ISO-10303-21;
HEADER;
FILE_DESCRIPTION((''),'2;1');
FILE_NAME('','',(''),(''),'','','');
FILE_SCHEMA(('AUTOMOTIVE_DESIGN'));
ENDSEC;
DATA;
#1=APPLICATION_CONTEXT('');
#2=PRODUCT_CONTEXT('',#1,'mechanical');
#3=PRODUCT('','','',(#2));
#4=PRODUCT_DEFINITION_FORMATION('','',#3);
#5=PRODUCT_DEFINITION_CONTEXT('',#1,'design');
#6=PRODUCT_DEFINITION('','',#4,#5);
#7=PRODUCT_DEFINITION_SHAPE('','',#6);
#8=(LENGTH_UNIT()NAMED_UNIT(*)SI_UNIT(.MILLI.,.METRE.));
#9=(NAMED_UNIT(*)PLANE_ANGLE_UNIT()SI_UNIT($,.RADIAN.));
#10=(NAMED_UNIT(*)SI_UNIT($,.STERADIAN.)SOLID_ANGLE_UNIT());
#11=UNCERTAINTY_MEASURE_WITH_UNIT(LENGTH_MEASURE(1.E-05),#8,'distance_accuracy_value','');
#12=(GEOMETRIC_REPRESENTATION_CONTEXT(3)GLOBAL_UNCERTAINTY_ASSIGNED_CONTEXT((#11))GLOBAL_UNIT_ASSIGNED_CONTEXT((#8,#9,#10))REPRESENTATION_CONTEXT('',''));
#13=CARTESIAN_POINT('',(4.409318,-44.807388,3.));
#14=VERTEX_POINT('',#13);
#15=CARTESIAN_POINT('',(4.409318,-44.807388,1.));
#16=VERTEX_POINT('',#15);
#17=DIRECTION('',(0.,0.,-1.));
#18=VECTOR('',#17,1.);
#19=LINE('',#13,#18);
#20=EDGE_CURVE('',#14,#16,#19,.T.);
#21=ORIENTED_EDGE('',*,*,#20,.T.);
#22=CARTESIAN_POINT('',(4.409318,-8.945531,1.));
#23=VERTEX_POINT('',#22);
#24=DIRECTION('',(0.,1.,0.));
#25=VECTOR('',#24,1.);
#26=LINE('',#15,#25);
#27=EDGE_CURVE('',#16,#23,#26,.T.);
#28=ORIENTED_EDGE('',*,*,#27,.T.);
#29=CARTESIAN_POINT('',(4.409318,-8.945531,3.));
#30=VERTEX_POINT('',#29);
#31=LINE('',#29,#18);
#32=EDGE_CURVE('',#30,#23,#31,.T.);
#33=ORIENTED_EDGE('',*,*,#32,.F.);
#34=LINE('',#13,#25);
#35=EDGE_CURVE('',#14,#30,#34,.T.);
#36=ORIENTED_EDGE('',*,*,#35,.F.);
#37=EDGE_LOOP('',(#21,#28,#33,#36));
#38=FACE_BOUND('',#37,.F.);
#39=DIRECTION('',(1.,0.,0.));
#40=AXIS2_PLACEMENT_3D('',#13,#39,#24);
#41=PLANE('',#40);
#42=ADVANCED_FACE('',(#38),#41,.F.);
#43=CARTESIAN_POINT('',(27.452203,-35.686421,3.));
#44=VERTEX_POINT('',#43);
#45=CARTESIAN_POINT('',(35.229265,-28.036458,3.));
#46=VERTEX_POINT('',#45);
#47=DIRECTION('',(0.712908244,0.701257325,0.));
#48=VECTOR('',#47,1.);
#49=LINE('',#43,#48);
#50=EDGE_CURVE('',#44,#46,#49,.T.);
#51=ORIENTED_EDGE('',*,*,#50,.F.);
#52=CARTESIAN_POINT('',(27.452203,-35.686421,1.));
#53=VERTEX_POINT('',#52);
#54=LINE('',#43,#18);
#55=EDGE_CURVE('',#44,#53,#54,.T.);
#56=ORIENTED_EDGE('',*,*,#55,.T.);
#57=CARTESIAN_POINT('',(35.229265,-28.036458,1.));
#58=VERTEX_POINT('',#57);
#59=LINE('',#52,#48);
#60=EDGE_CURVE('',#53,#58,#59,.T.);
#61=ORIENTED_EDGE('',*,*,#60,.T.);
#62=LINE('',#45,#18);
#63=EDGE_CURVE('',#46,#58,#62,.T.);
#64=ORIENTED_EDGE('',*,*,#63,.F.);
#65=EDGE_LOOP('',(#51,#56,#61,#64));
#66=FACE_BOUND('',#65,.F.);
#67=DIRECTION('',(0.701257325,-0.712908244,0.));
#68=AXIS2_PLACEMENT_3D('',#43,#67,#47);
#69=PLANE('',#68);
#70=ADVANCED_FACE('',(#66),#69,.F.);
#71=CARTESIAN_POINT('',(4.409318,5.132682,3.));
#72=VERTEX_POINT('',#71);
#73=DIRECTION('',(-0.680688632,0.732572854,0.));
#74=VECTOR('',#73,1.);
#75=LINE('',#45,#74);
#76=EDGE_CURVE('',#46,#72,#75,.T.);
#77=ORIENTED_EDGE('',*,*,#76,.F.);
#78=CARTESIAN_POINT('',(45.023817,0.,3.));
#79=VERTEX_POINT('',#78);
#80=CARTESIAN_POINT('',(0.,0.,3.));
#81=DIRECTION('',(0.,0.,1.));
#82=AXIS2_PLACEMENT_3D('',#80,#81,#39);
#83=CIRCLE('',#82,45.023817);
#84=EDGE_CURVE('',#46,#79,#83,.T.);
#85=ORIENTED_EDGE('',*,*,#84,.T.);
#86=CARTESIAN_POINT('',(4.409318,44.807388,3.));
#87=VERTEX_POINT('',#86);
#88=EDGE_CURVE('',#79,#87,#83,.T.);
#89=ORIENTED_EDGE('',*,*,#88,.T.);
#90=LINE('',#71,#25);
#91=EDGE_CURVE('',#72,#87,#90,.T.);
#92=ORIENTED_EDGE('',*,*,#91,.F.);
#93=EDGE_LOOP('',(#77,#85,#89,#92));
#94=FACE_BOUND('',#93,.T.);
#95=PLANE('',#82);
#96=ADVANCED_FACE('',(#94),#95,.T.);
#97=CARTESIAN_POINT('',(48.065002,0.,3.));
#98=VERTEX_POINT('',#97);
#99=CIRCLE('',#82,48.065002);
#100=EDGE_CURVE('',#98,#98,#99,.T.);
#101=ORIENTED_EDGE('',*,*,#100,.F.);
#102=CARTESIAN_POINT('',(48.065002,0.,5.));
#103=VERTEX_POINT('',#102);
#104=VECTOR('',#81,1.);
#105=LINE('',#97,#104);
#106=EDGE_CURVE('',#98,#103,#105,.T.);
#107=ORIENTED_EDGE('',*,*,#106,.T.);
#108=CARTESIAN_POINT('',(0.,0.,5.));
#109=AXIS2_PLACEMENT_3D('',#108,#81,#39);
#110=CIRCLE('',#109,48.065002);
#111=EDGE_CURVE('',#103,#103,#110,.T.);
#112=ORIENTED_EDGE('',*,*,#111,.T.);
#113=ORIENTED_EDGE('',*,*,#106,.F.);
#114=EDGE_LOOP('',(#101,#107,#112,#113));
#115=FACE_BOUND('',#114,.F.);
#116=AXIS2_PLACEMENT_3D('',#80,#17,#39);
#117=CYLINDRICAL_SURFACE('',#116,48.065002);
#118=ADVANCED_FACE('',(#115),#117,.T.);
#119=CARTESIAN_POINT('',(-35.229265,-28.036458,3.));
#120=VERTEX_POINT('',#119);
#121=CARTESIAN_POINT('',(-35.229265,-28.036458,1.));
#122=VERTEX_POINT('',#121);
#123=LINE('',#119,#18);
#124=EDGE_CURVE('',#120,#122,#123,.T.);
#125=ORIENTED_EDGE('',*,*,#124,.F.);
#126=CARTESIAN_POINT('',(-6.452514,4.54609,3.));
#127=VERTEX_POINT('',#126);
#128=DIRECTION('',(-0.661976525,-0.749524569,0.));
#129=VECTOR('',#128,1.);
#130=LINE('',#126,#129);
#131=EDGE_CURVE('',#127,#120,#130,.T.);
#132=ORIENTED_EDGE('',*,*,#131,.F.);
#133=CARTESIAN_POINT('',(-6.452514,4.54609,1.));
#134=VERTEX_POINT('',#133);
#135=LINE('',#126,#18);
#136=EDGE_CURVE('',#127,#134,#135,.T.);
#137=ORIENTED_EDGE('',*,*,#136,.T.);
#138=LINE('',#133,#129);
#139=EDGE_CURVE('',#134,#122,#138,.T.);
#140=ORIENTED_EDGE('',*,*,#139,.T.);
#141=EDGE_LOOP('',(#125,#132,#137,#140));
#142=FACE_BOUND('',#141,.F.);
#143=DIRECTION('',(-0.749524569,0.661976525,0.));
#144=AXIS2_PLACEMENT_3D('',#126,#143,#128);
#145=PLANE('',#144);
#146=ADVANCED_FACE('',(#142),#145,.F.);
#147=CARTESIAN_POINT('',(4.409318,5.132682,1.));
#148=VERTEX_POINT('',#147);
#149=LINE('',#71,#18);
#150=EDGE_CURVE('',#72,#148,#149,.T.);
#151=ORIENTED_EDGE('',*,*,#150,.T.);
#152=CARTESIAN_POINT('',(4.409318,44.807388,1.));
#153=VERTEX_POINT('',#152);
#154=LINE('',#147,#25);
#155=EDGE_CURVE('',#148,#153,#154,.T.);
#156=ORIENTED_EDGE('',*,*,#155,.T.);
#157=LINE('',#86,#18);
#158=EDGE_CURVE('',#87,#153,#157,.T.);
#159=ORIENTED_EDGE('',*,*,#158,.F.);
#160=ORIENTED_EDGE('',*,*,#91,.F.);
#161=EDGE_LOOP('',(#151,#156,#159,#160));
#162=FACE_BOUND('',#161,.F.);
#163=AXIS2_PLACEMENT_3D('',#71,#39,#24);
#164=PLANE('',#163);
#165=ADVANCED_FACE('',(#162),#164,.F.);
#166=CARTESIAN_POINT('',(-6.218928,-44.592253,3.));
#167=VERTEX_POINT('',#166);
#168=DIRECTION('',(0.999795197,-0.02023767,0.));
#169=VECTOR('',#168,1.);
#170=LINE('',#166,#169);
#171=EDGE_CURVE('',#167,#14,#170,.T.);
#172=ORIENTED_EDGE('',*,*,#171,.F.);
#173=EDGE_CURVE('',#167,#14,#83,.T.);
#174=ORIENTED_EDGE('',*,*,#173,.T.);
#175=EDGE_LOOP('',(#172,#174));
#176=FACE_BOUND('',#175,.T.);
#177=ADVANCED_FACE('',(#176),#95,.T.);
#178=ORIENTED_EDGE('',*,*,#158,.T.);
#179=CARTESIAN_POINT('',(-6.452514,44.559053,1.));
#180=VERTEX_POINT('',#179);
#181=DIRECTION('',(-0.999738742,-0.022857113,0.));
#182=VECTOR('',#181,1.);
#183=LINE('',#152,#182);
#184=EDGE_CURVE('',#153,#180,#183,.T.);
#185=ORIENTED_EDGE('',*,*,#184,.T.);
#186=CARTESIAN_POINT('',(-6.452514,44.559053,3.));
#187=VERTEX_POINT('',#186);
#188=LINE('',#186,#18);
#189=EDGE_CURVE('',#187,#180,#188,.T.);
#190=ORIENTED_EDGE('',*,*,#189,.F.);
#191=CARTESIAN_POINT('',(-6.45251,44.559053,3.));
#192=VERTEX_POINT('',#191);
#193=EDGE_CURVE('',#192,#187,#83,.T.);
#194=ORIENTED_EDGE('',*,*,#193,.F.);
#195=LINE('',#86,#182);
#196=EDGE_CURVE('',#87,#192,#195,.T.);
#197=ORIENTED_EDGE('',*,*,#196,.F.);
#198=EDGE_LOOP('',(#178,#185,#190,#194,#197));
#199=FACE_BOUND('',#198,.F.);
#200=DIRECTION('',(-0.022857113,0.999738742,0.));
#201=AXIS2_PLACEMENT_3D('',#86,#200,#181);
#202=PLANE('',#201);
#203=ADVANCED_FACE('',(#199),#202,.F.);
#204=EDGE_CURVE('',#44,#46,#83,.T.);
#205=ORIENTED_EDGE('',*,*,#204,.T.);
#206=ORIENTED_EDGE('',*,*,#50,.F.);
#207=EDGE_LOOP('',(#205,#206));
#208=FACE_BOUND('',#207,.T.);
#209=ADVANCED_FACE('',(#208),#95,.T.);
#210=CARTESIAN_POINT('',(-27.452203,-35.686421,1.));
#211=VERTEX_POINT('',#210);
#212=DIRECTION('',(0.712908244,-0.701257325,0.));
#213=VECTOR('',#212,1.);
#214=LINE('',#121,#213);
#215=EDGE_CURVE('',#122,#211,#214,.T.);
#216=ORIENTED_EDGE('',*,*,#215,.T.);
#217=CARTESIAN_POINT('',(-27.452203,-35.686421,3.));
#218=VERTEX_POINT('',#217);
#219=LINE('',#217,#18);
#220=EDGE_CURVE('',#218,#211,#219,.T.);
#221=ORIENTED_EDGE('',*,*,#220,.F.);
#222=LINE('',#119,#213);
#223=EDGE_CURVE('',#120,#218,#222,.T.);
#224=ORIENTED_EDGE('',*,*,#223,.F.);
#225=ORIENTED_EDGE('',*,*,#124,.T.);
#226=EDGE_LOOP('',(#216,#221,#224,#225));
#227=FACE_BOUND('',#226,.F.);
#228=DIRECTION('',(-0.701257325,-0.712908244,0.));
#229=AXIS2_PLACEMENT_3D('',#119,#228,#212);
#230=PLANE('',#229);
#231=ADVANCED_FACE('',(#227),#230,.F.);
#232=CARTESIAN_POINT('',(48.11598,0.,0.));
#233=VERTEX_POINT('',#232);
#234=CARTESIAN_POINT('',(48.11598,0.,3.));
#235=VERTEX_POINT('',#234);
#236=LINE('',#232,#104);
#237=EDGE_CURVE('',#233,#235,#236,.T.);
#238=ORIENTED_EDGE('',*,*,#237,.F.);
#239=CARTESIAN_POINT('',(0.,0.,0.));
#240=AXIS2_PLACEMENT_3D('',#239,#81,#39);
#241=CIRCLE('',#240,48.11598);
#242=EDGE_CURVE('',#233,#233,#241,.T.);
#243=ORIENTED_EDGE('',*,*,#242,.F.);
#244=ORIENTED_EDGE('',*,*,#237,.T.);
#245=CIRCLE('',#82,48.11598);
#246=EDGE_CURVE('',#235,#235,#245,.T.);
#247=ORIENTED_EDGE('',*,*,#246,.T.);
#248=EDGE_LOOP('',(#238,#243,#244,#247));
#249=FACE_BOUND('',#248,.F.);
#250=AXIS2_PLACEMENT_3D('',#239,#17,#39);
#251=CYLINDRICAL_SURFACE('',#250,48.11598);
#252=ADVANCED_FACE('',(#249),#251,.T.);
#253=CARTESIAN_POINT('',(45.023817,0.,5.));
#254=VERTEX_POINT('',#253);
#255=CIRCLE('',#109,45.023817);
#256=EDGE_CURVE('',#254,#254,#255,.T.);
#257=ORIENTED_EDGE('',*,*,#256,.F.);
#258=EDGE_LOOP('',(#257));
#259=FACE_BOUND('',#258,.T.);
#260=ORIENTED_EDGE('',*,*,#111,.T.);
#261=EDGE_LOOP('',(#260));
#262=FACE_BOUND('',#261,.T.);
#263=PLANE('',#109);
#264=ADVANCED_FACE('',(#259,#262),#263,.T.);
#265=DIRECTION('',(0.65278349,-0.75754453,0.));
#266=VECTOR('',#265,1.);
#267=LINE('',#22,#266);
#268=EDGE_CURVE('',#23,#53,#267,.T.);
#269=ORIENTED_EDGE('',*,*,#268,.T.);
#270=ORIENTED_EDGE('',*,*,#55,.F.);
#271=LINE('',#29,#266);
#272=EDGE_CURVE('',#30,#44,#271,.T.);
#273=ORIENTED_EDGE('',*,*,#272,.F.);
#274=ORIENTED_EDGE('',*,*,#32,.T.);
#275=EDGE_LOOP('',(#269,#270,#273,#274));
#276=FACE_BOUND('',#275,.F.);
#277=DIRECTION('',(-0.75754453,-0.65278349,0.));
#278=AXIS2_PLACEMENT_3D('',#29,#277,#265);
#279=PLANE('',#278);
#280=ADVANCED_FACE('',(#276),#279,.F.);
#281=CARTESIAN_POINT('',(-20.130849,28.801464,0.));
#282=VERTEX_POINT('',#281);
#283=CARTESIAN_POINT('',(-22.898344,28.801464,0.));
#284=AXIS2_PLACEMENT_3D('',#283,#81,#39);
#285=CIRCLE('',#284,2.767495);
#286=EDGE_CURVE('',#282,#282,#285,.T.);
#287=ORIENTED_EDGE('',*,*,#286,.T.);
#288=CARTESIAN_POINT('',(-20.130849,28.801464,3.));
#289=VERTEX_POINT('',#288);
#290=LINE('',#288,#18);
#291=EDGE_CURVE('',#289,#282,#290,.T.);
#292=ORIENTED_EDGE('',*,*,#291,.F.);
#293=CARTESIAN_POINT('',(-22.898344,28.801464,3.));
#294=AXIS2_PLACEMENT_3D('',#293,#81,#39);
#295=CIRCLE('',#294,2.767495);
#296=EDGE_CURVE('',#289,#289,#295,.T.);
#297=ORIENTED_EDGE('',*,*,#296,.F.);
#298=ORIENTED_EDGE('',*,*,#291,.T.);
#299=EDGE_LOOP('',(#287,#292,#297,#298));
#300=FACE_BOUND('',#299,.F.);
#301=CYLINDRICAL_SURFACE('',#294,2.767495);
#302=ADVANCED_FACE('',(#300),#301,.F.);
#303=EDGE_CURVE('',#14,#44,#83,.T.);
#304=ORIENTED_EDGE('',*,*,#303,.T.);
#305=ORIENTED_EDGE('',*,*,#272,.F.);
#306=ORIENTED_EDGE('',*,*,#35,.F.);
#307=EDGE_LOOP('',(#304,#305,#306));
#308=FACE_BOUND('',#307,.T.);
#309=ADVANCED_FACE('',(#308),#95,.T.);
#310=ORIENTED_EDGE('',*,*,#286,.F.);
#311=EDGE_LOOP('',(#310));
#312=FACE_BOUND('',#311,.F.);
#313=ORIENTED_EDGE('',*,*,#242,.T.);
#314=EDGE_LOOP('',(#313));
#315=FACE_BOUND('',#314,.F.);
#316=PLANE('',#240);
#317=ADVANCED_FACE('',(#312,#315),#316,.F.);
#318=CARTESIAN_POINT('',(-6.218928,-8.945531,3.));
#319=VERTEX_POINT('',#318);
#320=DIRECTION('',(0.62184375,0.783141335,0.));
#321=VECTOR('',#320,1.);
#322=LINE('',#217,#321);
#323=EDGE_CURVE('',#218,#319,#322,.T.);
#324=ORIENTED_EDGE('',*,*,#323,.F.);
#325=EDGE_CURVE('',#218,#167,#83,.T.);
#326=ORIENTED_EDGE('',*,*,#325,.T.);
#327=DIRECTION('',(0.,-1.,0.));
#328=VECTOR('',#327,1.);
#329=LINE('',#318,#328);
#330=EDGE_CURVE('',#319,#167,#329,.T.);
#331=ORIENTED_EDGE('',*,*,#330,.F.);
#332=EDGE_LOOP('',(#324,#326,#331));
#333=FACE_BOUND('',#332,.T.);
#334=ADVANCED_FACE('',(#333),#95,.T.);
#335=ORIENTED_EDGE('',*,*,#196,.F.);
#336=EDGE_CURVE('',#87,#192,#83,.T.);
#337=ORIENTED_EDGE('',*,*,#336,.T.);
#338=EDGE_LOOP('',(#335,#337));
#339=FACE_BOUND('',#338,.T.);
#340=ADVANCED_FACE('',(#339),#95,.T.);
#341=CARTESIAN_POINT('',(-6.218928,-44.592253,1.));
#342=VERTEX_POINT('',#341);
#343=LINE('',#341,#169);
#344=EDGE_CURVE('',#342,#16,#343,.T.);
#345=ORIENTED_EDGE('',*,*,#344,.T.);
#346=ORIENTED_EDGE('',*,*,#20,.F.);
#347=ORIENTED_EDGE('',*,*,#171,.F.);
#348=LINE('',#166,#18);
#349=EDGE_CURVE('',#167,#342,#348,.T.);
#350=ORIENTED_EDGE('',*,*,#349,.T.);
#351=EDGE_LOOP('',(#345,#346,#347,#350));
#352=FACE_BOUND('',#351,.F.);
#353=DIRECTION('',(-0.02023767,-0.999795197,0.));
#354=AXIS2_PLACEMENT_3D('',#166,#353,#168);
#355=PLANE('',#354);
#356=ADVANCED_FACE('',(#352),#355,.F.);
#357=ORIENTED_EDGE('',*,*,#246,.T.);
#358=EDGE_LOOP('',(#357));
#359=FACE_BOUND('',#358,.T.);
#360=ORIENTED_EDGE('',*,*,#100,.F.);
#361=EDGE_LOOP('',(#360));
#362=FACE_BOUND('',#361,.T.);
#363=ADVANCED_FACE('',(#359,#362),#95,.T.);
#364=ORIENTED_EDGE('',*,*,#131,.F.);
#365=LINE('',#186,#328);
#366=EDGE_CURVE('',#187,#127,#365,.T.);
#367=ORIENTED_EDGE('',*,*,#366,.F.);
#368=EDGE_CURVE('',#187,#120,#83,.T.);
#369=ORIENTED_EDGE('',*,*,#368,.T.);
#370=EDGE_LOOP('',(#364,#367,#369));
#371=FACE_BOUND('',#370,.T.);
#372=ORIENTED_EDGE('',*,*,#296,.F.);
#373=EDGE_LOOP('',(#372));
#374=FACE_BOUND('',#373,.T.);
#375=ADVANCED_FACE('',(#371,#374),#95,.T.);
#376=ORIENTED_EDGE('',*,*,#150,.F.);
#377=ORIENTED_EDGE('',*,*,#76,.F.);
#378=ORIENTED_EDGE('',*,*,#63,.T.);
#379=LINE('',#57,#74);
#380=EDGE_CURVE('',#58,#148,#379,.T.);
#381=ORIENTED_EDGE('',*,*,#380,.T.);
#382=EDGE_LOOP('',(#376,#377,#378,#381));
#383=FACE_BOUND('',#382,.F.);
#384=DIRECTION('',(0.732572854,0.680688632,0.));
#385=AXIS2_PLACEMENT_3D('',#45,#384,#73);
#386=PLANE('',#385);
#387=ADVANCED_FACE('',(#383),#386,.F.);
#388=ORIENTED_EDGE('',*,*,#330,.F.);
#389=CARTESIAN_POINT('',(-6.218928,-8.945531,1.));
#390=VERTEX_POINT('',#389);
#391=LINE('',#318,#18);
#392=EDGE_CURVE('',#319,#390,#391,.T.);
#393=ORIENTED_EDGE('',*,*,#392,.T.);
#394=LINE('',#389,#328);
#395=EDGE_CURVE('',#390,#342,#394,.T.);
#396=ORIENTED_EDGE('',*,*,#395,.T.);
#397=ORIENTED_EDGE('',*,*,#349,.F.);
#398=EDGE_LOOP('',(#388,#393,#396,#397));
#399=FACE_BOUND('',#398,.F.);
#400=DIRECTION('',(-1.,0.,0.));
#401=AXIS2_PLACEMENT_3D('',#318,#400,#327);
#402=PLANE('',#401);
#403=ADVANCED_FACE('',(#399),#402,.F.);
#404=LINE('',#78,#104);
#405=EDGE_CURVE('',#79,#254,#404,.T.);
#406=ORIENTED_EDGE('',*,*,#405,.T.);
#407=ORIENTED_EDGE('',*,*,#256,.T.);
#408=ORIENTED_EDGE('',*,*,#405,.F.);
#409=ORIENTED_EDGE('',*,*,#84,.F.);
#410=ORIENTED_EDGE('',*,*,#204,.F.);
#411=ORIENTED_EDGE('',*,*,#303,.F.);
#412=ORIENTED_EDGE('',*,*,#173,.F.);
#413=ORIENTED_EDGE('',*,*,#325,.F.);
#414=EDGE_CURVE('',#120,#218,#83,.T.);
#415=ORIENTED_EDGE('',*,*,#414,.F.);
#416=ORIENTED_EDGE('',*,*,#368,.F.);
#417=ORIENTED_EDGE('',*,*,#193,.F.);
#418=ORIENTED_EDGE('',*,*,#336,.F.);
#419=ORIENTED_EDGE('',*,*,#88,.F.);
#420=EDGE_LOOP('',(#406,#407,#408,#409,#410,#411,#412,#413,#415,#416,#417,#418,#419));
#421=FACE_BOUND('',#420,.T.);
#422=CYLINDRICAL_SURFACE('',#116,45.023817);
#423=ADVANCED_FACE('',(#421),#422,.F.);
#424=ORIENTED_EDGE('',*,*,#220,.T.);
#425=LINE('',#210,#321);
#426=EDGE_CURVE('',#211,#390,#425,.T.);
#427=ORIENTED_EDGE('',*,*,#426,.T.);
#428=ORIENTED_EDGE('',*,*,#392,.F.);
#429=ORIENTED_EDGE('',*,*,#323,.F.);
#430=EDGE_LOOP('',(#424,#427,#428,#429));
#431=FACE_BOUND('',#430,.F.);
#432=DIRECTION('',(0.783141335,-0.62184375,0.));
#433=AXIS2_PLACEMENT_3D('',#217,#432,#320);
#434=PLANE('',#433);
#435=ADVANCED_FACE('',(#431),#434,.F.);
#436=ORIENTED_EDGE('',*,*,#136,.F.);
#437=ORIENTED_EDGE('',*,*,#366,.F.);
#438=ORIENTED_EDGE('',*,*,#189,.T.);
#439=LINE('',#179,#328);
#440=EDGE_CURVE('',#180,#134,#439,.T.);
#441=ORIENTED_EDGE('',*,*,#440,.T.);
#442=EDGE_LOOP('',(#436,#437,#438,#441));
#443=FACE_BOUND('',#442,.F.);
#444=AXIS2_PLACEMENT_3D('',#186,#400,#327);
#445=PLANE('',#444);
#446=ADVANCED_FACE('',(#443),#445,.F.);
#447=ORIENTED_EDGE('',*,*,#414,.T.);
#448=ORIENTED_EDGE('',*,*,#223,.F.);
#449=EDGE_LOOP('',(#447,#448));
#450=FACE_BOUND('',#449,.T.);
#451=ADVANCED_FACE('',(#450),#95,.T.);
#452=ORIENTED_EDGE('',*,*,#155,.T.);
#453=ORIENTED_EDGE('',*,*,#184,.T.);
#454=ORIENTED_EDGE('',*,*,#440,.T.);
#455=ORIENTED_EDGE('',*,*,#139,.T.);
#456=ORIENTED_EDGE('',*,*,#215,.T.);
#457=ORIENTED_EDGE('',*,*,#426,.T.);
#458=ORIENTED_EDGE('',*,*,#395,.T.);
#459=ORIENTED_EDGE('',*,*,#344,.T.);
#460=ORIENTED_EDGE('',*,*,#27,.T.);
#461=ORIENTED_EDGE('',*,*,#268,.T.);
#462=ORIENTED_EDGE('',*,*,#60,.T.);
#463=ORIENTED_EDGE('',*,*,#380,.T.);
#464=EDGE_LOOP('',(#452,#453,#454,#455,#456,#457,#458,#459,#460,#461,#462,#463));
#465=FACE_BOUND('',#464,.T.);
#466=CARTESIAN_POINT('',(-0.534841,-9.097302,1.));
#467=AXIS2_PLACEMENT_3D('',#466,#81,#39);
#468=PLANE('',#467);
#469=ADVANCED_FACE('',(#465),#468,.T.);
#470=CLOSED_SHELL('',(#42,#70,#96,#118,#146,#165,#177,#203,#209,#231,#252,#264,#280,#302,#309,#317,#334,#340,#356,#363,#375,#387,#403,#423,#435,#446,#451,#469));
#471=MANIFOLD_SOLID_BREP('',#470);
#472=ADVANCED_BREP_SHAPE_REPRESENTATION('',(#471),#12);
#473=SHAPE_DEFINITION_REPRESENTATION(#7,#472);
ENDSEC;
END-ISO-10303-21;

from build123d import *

# Parameters (mm, degrees)
F0_R     = 48.11598
F1_DEPTH = 3
F2_R     = 48.065002
F2_R_2   = 45.023817
F3_DEPTH = 2
F5_DEPTH = 2
F6_R     = 2.767495
F7_DEPTH = 3


with BuildPart() as f1:
    # F0 (on Top) → F1 (new body)
    with BuildSketch(Plane.XY):
        Circle(F0_R)
    extrude(amount=F1_DEPTH)

    # F2 (on face) → F3 (join)
    with BuildSketch(Plane.XY.offset(3)):
        Circle(F2_R)
        Circle(F2_R_2, mode=Mode.SUBTRACT)
    extrude(amount=F3_DEPTH)

    # F4 (on face) → F5 (cut)
    with BuildSketch(Plane.XY.offset(3)):
        Polygon((-6.218928, -8.945531), (-6.218928, -44.592253), (4.409318, -44.807388), (4.409318, -8.945531), (27.452203, -35.686421), (35.229265, -28.036458), (4.409318, 5.132682), (4.409318, 44.807388), (-6.452514, 44.559053), (-6.452514, 4.54609), (-35.229265, -28.036458), (-27.452203, -35.686421), align=None)
    extrude(amount=-F5_DEPTH, mode=Mode.SUBTRACT)

    # F6 (on face) → F7 (cut)
    with BuildSketch(Plane.XY.offset(3)):
        with Locations((-22.898344, 28.801464)):
            Circle(F6_R)
    extrude(amount=-F7_DEPTH, mode=Mode.SUBTRACT)


solid = f1.part
